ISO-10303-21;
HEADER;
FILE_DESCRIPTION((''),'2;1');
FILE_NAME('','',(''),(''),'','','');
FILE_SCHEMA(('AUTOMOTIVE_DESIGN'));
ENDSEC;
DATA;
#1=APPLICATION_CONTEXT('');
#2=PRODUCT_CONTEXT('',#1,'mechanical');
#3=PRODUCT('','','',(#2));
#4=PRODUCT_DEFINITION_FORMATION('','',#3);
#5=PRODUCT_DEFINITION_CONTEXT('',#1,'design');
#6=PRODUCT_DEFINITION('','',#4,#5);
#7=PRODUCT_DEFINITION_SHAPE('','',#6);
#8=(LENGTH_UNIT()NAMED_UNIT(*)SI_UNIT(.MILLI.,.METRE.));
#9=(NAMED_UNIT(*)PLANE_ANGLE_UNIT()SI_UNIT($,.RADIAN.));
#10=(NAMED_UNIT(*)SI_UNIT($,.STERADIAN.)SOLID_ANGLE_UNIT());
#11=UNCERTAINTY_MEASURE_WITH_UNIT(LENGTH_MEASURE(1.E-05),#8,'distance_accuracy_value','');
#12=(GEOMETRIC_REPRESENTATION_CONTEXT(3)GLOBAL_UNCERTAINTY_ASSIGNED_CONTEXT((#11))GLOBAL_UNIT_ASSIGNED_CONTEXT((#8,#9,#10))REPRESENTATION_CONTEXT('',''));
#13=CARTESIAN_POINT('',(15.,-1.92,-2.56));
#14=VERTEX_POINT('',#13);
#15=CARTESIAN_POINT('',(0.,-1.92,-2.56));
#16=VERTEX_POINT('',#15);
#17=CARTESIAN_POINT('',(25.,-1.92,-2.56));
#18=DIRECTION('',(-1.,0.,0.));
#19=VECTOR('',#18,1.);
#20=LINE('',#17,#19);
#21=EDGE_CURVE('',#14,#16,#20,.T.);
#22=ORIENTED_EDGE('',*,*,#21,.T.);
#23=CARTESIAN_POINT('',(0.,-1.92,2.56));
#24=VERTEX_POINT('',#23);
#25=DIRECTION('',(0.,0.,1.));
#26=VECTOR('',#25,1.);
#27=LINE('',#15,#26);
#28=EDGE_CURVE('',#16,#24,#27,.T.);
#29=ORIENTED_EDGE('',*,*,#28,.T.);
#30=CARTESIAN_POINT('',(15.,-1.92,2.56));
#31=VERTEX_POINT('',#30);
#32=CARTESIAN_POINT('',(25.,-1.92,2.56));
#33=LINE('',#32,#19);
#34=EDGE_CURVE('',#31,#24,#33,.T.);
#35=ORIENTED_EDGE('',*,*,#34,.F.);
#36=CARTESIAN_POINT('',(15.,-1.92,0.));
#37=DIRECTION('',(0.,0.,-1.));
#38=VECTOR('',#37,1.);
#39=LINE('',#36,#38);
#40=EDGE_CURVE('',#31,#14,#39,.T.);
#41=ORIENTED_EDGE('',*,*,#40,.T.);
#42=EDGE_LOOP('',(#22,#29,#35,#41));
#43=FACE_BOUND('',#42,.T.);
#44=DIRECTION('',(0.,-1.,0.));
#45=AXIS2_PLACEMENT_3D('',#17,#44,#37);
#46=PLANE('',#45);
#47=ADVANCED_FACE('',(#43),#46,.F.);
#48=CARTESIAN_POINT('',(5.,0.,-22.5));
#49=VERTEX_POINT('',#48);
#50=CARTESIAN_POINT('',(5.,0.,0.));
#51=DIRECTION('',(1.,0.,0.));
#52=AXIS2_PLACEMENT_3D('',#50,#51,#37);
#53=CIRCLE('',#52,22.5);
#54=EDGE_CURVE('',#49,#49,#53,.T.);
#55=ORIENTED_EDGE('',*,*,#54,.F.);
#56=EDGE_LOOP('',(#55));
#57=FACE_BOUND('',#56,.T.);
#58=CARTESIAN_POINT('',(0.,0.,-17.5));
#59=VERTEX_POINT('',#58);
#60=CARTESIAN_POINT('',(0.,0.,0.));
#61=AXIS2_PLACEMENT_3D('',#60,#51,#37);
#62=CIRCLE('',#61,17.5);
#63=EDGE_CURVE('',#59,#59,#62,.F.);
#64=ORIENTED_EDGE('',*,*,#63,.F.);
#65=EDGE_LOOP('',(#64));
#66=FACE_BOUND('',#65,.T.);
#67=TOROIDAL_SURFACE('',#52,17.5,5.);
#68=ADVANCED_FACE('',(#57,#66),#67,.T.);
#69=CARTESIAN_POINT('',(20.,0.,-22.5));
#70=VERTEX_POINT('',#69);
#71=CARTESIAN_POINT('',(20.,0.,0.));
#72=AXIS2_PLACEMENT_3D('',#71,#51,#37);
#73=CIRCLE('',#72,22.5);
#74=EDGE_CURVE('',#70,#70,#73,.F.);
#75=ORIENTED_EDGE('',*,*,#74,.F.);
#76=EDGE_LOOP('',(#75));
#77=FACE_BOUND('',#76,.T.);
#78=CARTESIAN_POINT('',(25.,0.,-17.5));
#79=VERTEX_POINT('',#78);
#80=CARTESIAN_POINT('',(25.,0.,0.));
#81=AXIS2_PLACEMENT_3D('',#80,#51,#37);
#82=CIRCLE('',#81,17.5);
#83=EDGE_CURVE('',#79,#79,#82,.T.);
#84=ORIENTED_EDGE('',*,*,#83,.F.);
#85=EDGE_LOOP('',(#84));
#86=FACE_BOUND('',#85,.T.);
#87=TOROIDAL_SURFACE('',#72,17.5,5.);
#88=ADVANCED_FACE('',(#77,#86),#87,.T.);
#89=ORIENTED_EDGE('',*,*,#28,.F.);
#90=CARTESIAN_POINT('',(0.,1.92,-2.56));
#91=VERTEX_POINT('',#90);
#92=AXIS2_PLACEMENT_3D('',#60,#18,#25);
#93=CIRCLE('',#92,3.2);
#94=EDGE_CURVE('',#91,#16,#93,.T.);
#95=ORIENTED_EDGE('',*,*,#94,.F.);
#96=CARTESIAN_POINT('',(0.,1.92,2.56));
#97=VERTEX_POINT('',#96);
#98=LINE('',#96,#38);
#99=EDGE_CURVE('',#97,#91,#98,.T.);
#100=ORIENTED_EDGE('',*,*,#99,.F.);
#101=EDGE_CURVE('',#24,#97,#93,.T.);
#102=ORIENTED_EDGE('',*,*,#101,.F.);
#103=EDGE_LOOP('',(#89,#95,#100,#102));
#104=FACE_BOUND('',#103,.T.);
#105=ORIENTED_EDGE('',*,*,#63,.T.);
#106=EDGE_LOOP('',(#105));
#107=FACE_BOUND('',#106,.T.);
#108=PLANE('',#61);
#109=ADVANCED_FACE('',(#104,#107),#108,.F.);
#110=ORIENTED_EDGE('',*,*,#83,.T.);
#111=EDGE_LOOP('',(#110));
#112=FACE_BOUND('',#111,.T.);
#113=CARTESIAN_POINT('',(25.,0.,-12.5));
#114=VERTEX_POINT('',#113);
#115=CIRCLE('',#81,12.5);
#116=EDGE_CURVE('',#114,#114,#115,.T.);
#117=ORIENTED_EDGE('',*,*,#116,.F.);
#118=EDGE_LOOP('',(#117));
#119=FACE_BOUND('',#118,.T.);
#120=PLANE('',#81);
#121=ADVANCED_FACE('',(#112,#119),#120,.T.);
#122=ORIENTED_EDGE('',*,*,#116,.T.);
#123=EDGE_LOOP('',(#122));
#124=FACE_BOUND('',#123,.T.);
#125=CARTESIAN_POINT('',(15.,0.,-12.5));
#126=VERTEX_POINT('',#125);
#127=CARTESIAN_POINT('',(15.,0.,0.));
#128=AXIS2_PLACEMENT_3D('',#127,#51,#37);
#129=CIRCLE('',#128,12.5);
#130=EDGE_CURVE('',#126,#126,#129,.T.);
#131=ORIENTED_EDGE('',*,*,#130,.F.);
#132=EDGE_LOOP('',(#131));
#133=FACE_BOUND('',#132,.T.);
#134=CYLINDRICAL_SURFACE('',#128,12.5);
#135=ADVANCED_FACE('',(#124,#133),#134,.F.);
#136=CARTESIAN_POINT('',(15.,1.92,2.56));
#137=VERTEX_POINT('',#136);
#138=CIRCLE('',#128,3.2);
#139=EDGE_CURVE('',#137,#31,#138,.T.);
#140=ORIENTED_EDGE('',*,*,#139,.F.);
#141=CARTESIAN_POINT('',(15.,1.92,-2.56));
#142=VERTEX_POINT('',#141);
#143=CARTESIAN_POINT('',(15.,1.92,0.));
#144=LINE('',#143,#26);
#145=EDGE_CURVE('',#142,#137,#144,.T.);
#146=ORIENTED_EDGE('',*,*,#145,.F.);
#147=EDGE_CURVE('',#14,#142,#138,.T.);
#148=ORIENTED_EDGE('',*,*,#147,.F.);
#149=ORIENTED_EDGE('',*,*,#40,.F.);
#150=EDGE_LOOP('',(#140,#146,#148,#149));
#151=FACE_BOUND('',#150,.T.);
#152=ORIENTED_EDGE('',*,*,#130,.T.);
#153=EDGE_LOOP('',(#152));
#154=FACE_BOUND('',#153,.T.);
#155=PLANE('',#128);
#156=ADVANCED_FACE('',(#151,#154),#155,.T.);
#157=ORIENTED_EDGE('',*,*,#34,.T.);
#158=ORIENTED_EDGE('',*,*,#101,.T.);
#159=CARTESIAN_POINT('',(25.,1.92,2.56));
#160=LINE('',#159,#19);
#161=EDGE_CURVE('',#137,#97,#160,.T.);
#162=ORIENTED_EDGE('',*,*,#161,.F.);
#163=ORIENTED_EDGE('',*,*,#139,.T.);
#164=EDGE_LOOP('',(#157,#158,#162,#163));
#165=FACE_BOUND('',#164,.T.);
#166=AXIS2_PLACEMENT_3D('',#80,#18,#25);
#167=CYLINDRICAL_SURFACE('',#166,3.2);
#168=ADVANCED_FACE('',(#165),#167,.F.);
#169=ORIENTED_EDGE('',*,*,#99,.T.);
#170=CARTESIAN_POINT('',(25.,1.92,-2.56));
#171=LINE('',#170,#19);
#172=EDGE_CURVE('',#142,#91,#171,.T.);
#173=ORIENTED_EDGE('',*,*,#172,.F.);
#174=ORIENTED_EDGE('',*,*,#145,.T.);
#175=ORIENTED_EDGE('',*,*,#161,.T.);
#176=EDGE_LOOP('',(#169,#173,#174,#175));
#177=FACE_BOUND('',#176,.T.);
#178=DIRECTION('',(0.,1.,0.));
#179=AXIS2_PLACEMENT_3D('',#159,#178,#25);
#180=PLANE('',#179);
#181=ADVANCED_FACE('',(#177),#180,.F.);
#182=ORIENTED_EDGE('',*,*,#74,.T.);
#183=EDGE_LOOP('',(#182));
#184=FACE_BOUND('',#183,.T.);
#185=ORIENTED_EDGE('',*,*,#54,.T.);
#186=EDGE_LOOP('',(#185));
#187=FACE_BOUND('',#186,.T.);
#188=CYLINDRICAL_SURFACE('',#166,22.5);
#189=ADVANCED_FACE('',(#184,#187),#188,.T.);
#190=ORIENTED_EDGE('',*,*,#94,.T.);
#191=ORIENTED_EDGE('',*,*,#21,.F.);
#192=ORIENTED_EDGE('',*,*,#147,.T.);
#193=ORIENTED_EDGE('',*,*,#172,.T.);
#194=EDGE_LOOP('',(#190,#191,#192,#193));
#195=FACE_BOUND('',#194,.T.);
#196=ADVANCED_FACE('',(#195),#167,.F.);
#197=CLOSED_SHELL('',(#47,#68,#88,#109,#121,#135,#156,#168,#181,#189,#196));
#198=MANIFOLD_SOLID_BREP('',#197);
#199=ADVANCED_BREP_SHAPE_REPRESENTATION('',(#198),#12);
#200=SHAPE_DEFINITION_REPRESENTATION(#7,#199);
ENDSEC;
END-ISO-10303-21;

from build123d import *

# Parameters (mm, degrees)
SKETCH1_R           = 22.5
BOSS_EXTRUDE1_DEPTH = 25
SKETCH2_R           = 12.5
CUT_EXTRUDE1_DEPTH  = 10
FILLET1_R           = 5
SKETCH3_R           = 1.5
CUT_EXTRUDE2_DEPTH  = 41.466035196
CUT_EXTRUDE3_DEPTH  = 41.466035196


with BuildPart() as part:
    # Sketch1 → Boss-Extrude1 (new body)
    with BuildSketch(Plane(origin=(0, 0, 0), x_dir=(0, 0, -1), z_dir=(1, 0, 0))):
        Circle(SKETCH1_R)
    extrude(amount=BOSS_EXTRUDE1_DEPTH)

    # Sketch2 → Cut-Extrude1 (cut)
    with BuildSketch(Plane(origin=(25, 0, 0), x_dir=(0, 0, -1), z_dir=(1, 0, 0))):
        Circle(SKETCH2_R)
    extrude(amount=-CUT_EXTRUDE1_DEPTH, mode=Mode.SUBTRACT)

    # Fillet1
    fillet1_edges = [part.edges().sort_by_distance(p)[0] for p in [
        (0, 0, 22.5),
        (25, 0, 22.5),
    ]]
    fillet(fillet1_edges, radius=FILLET1_R)

    # Sketch3 → Cut-Extrude2 (cut, through all)
    with BuildSketch(Plane.ZY):
        Circle(SKETCH3_R)
    extrude(amount=-CUT_EXTRUDE2_DEPTH, mode=Mode.SUBTRACT)

    # Sketch4 → Cut-Extrude3 (cut, through all)
    with BuildSketch(Plane.ZY):
        with BuildLine():
            Line((-2.56, -1.92), (2.56, -1.92))
            ThreePointArc((2.56, -1.92), (3.2, 0), (2.56, 1.92))
            Line((2.56, 1.92), (-2.56, 1.92))
            ThreePointArc((-2.56, 1.92), (-3.2, 0), (-2.56, -1.92))
        make_face()
    extrude(amount=-CUT_EXTRUDE3_DEPTH, mode=Mode.SUBTRACT)


solid = part.part
